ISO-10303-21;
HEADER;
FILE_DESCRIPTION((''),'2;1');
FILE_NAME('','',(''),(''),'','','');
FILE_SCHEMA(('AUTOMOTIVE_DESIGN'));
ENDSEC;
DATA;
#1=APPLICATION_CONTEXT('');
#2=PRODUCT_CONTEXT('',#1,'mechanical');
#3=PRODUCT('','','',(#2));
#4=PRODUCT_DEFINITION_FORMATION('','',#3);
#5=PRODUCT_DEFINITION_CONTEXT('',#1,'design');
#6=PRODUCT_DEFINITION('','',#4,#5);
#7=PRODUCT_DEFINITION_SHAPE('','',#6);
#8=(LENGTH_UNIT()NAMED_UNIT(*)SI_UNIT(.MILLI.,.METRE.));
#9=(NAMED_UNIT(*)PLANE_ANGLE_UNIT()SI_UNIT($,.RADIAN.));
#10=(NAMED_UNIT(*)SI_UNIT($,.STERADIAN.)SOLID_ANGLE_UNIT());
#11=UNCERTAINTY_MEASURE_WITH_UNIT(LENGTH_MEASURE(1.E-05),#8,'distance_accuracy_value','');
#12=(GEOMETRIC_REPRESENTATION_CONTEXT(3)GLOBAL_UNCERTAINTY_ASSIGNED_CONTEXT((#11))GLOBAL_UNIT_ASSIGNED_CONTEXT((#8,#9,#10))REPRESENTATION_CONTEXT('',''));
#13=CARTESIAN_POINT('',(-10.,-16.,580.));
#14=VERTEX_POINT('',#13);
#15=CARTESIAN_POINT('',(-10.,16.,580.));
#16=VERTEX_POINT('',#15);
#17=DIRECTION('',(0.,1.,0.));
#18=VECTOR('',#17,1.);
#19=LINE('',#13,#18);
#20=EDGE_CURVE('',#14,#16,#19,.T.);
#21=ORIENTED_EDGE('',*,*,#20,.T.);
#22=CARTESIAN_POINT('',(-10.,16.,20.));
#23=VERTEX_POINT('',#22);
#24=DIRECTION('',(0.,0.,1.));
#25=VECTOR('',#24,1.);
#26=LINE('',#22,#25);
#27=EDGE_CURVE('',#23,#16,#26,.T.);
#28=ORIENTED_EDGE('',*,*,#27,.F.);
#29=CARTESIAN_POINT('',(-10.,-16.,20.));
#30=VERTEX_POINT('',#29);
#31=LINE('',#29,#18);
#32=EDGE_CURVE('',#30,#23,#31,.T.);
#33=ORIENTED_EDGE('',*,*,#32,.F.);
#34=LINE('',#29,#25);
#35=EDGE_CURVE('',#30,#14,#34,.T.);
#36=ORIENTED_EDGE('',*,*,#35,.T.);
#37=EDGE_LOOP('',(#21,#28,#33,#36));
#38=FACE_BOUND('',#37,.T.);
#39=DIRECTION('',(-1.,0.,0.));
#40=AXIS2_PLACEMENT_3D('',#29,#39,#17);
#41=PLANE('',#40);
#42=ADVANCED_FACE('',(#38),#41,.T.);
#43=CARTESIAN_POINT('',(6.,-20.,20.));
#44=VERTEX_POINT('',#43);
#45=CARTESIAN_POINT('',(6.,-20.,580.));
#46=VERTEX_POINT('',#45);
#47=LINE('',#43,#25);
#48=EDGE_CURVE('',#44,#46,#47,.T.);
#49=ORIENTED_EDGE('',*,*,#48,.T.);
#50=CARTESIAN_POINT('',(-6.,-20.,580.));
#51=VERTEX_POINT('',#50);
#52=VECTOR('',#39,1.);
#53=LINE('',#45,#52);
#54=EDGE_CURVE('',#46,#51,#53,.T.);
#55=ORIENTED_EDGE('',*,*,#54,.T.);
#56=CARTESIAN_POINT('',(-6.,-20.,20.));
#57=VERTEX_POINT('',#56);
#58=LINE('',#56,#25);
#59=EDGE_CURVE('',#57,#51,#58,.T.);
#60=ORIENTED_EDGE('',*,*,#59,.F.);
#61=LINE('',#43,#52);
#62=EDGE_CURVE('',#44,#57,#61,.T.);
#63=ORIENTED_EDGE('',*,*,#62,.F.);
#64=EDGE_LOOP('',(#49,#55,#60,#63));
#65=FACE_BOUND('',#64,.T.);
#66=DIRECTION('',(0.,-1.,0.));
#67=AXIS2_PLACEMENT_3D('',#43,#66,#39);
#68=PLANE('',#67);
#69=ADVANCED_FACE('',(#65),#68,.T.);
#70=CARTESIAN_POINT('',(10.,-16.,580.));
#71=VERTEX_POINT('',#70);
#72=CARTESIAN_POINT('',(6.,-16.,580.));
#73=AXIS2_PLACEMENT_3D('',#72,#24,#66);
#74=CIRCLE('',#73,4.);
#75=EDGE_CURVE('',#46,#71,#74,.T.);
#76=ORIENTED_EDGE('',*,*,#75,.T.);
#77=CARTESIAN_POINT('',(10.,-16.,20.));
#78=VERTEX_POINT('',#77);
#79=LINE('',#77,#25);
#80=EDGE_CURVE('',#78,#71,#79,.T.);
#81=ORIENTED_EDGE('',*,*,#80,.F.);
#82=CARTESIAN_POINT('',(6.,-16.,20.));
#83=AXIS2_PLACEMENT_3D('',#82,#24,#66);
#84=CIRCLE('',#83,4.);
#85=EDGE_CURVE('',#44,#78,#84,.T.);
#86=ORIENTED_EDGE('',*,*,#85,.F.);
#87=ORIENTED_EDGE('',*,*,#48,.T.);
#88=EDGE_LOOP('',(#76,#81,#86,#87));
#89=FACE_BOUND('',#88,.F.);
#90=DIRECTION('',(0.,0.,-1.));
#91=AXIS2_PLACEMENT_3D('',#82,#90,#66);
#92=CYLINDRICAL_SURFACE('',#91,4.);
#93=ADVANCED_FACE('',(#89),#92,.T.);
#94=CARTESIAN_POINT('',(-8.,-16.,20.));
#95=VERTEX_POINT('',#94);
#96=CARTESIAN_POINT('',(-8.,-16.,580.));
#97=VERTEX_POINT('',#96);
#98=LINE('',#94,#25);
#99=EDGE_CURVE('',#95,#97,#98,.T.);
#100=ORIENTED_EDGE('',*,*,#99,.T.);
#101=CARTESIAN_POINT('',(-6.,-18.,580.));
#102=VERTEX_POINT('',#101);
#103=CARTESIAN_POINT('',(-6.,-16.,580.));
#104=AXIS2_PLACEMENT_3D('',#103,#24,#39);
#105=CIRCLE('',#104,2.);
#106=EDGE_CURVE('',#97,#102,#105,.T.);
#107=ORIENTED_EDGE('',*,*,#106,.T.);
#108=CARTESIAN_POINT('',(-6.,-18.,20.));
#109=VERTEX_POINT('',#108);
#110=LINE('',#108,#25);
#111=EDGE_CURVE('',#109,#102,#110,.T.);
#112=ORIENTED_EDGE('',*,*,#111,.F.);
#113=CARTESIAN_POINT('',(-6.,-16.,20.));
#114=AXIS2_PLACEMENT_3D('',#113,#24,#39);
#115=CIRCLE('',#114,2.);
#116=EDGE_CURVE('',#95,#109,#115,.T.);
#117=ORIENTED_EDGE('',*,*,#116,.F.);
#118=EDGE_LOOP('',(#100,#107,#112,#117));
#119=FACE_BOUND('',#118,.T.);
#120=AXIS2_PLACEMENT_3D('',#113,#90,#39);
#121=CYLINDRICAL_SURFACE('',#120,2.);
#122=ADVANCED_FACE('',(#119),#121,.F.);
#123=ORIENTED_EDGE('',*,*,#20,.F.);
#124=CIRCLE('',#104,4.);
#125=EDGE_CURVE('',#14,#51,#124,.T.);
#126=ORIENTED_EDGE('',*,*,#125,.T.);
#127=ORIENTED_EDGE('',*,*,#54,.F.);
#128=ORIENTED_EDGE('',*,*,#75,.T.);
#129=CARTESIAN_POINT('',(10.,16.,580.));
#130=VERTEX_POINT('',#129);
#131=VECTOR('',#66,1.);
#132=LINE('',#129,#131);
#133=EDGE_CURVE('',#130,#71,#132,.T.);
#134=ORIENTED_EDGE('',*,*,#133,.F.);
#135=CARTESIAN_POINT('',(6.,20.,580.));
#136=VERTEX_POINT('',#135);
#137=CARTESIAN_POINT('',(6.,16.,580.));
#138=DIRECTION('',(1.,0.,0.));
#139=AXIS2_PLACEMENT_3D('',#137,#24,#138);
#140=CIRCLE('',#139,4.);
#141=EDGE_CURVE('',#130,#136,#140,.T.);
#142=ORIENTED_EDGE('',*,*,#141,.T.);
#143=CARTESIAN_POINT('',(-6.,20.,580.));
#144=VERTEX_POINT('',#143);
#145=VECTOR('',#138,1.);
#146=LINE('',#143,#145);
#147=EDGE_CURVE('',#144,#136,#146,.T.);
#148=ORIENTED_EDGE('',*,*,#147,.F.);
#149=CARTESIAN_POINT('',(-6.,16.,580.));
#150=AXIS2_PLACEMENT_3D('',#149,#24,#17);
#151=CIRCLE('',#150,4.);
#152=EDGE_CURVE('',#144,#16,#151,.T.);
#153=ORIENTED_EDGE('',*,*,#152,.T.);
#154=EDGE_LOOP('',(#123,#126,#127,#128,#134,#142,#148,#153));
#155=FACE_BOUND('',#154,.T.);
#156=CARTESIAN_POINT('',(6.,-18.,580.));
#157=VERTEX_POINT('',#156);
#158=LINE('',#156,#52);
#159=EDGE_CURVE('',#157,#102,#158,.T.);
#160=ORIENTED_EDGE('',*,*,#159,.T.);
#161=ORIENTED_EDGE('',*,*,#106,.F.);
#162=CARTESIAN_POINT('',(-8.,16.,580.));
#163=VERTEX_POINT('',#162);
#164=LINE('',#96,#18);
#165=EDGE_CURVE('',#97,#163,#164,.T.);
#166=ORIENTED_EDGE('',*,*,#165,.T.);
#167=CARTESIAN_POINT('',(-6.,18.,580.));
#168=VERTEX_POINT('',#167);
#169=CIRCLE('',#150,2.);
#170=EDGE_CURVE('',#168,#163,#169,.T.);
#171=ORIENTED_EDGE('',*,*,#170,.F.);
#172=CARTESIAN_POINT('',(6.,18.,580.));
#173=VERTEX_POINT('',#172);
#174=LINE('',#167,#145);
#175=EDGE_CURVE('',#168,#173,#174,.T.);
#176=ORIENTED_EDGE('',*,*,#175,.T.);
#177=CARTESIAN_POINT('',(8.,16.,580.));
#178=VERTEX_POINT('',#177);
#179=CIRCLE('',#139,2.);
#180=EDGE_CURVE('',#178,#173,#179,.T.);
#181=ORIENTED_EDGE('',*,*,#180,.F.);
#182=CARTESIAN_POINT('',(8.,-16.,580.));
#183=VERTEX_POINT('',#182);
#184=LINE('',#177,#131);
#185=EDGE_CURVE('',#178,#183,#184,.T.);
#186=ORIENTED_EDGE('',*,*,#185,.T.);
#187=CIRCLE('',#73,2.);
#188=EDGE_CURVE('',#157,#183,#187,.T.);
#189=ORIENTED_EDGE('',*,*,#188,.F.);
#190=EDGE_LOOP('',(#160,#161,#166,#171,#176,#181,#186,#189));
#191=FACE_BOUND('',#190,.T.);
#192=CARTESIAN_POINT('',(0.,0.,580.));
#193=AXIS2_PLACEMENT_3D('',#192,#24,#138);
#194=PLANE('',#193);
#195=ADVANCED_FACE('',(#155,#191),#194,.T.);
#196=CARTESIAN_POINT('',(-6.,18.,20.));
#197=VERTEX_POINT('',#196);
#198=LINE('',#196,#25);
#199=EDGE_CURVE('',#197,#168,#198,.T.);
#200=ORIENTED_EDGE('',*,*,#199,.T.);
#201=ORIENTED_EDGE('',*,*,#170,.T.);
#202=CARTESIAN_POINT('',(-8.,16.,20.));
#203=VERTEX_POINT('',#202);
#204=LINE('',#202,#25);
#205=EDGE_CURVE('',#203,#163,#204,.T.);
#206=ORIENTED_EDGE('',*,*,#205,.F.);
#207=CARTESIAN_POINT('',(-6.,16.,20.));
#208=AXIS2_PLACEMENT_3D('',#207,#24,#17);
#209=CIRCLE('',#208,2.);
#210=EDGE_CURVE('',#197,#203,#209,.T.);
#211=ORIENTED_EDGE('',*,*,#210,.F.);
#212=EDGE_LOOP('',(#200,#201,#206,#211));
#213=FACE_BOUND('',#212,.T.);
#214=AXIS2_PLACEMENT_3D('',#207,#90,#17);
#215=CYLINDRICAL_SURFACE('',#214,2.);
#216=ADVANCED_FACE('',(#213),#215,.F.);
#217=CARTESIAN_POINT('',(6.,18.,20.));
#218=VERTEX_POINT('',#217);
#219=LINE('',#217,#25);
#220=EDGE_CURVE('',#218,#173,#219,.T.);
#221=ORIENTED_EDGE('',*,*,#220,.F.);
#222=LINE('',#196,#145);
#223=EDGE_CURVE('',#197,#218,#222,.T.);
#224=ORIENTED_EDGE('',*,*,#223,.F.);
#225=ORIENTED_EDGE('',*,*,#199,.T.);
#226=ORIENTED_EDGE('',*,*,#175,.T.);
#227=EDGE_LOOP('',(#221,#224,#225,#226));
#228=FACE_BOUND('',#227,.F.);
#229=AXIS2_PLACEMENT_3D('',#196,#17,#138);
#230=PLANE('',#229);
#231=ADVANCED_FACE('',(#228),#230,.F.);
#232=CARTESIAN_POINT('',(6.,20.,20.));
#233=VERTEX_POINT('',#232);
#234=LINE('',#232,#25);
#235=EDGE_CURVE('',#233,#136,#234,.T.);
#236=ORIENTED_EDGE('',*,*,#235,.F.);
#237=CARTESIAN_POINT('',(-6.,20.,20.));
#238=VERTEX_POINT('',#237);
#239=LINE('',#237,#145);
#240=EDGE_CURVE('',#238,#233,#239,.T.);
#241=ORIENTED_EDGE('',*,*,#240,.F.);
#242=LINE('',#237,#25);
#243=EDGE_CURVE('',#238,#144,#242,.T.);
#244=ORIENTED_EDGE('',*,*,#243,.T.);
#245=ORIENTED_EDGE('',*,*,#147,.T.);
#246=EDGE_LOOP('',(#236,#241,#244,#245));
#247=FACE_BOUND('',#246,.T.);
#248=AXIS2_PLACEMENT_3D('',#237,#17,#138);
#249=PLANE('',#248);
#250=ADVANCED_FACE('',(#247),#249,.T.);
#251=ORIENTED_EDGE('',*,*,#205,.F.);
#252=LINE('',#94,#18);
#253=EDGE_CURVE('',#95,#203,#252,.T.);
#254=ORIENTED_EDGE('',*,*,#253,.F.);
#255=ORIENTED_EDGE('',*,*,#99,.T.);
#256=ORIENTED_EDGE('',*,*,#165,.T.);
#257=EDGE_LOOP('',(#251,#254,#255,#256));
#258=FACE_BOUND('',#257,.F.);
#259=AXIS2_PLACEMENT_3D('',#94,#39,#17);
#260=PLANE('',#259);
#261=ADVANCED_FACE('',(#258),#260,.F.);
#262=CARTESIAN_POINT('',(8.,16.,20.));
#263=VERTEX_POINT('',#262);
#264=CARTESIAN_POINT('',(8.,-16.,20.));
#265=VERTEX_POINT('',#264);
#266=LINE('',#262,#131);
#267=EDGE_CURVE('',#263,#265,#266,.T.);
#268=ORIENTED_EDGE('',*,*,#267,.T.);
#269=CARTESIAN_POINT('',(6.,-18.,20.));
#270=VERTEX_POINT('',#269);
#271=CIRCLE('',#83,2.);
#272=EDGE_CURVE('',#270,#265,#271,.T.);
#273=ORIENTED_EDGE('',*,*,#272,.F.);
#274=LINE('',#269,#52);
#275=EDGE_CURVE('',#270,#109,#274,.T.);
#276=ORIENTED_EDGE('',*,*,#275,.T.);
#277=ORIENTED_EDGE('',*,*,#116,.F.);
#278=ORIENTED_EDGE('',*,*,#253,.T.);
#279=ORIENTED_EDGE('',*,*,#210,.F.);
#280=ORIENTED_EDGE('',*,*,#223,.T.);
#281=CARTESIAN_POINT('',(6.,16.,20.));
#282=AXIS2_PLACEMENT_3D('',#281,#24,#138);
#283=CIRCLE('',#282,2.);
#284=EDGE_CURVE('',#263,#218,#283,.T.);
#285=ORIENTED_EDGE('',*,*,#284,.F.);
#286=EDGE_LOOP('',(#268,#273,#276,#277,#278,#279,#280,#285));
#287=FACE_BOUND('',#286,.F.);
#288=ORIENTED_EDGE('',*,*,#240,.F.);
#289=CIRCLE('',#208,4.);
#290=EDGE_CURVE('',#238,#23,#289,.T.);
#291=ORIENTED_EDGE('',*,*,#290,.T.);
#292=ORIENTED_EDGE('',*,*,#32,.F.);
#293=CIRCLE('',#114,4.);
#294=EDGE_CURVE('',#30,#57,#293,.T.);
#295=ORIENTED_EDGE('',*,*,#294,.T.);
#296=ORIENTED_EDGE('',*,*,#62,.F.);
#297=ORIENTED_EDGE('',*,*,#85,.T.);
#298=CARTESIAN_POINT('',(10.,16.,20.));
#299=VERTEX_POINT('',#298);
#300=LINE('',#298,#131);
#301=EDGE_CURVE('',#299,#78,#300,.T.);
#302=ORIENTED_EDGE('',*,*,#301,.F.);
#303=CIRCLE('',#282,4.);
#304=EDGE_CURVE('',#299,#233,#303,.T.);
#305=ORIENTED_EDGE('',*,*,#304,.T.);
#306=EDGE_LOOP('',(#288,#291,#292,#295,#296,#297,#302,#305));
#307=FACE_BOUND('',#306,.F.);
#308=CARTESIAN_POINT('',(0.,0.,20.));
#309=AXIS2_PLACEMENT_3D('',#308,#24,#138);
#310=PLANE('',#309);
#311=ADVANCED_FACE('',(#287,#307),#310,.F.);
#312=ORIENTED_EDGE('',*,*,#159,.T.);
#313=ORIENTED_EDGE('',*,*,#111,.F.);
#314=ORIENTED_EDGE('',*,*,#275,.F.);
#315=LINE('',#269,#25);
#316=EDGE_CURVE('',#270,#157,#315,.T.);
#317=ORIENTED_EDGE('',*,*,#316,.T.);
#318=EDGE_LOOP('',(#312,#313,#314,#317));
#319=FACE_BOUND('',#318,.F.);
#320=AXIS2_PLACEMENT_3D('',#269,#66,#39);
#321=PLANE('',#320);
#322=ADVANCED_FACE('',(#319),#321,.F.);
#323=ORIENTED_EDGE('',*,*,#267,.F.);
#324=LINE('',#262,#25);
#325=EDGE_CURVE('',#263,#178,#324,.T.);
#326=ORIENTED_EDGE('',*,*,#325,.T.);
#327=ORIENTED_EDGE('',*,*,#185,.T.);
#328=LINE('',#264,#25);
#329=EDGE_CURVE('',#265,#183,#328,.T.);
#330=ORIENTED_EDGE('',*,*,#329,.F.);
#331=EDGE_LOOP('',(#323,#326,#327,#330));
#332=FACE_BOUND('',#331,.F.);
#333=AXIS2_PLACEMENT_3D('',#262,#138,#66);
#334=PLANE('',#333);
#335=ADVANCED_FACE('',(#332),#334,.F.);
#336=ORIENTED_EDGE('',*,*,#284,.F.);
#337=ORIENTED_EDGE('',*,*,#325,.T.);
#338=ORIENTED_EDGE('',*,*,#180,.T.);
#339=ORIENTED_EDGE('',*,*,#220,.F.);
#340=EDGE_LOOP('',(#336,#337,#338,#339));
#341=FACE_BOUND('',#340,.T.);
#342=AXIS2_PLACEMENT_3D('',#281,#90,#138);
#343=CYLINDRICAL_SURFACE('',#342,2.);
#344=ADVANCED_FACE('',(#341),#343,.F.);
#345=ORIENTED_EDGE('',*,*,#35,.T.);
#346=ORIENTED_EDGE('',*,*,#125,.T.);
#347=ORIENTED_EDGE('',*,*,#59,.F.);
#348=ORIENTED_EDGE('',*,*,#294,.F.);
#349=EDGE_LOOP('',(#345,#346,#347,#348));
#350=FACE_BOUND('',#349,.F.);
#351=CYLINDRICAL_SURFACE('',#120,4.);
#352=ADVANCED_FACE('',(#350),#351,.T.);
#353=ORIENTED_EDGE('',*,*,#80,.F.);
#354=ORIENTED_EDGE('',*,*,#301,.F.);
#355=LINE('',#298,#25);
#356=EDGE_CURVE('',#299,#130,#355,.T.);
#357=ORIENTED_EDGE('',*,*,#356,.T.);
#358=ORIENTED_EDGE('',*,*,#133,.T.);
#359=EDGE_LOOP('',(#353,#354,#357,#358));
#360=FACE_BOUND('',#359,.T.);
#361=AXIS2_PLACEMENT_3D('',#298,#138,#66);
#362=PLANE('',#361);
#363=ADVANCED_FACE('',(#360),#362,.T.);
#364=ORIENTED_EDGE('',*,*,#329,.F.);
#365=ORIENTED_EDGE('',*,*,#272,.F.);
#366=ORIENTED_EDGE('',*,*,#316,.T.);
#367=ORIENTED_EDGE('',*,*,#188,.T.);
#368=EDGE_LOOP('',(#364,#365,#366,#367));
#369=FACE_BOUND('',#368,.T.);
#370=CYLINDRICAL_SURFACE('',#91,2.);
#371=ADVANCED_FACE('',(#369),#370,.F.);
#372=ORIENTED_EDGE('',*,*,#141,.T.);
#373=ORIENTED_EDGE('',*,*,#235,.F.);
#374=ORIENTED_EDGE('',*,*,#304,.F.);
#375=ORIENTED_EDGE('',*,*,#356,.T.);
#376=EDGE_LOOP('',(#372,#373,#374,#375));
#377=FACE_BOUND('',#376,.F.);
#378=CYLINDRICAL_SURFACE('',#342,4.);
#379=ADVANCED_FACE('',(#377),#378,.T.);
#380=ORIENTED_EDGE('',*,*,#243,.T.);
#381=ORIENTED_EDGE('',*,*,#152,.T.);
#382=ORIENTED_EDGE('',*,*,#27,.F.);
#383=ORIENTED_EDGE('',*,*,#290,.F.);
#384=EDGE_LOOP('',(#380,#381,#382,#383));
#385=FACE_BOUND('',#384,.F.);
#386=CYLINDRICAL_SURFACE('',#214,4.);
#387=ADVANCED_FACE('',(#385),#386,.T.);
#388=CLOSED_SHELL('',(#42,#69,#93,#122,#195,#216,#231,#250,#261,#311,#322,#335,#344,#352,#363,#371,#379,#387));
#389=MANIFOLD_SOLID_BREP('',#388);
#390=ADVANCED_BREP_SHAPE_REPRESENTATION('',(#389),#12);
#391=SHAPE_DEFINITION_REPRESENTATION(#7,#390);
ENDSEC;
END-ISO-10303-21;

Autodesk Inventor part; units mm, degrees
ref_plane "YZ Plane" through (0, 0, 0) normal (1, 0, 0) x (0, 1, 0)
ref_plane "Start Plane" through (0, 0, 20) normal (0, 0, 1) x (1, 0, 0)
ref_plane "End Plane" through (0, 0, 580) normal (0, 0, 1) x (1, 0, 0)
sketch "Sketch" plane through (0, 0, 0) normal (0, 0, 1) x (1, 0, 0)
  line L0 (-10, -16) -> (-10, 16)
  line L1 (-6, 20) -> (6, 20)
  line L2 (10, 16) -> (10, -16)
  line L3 (6, -20) -> (-6, -20)
  arc A0 (-10, -16) -> (-6, -20) centre (-6, -16) ccw
  arc A1 (10, 16) -> (6, 20) centre (6, 16) ccw
  arc A2 (-6, 20) -> (-10, 16) centre (-6, 16) ccw
  arc A3 (6, -20) -> (10, -16) centre (6, -16) ccw
  arc A4 (-6, 18) -> (-8, 16) centre (-6, 16) ccw
  line L4 (-6, 18) -> (6, 18)
  arc A5 (8, 16) -> (6, 18) centre (6, 16) ccw
  line L5 (8, 16) -> (8, -16)
  arc A6 (6, -18) -> (8, -16) centre (6, -16) ccw
  line L6 (6, -18) -> (-6, -18)
  arc A7 (-8, -16) -> (-6, -18) centre (-6, -16) ccw
  line L7 (-8, -16) -> (-8, 16)
  line L8 (0, 29.1598) -> (0, -29.1598) construction
  line L9 (-15.1598, 0) -> (15.1598, 0) construction
  dimension "d7" = 4
  dimension "d9" = 20
  dimension "d11" = 40
  dimension "d12" = 2
  dimension "d15" = 10
  dimension "d16" = 20
extrude "Body" add sketch "Sketch" along normal up to surface (560 mm away) from surface at 20
sketch "Sketch3" plane through (0, 0, 0) normal (0, 0, 1) x (1, 0, 0)
  line L0 (0, 0) -> (10, 0)
ref_plane "Work Plane3" through (0, 0, 0) normal (0, -1, 0) x (1, 0, 0)
sketch "Sketch4" plane through (0, 0, 0) normal (0, -1, 0) x (1, 0, 0)
  line L0 (-2, 20) -> (12, 20)
  line L1 (-2, 580) -> (12, 580)
  dimension "d18" = 560
equation "\"d7\" = G_IR"
equation "\"d9\" = G_W"
equation "\"d11\" = G_H"
equation "\"d12\" = G_T"
equation "\"d15\" = 0.5 * d9"
equation "\"d16\" = 0.5 * d11"
equation "\"d3\" = G_L"
equation "\"G_W\" = 20"
equation "\"G_H\" = 40"
equation "\"G_T\" = 2"
equation "\"G_IR\" = 4"
equation "\"G_L\" = d18"
properties part number "ISO 10799-2 - 40x20x2 - 560" material "Steel, Mild"
